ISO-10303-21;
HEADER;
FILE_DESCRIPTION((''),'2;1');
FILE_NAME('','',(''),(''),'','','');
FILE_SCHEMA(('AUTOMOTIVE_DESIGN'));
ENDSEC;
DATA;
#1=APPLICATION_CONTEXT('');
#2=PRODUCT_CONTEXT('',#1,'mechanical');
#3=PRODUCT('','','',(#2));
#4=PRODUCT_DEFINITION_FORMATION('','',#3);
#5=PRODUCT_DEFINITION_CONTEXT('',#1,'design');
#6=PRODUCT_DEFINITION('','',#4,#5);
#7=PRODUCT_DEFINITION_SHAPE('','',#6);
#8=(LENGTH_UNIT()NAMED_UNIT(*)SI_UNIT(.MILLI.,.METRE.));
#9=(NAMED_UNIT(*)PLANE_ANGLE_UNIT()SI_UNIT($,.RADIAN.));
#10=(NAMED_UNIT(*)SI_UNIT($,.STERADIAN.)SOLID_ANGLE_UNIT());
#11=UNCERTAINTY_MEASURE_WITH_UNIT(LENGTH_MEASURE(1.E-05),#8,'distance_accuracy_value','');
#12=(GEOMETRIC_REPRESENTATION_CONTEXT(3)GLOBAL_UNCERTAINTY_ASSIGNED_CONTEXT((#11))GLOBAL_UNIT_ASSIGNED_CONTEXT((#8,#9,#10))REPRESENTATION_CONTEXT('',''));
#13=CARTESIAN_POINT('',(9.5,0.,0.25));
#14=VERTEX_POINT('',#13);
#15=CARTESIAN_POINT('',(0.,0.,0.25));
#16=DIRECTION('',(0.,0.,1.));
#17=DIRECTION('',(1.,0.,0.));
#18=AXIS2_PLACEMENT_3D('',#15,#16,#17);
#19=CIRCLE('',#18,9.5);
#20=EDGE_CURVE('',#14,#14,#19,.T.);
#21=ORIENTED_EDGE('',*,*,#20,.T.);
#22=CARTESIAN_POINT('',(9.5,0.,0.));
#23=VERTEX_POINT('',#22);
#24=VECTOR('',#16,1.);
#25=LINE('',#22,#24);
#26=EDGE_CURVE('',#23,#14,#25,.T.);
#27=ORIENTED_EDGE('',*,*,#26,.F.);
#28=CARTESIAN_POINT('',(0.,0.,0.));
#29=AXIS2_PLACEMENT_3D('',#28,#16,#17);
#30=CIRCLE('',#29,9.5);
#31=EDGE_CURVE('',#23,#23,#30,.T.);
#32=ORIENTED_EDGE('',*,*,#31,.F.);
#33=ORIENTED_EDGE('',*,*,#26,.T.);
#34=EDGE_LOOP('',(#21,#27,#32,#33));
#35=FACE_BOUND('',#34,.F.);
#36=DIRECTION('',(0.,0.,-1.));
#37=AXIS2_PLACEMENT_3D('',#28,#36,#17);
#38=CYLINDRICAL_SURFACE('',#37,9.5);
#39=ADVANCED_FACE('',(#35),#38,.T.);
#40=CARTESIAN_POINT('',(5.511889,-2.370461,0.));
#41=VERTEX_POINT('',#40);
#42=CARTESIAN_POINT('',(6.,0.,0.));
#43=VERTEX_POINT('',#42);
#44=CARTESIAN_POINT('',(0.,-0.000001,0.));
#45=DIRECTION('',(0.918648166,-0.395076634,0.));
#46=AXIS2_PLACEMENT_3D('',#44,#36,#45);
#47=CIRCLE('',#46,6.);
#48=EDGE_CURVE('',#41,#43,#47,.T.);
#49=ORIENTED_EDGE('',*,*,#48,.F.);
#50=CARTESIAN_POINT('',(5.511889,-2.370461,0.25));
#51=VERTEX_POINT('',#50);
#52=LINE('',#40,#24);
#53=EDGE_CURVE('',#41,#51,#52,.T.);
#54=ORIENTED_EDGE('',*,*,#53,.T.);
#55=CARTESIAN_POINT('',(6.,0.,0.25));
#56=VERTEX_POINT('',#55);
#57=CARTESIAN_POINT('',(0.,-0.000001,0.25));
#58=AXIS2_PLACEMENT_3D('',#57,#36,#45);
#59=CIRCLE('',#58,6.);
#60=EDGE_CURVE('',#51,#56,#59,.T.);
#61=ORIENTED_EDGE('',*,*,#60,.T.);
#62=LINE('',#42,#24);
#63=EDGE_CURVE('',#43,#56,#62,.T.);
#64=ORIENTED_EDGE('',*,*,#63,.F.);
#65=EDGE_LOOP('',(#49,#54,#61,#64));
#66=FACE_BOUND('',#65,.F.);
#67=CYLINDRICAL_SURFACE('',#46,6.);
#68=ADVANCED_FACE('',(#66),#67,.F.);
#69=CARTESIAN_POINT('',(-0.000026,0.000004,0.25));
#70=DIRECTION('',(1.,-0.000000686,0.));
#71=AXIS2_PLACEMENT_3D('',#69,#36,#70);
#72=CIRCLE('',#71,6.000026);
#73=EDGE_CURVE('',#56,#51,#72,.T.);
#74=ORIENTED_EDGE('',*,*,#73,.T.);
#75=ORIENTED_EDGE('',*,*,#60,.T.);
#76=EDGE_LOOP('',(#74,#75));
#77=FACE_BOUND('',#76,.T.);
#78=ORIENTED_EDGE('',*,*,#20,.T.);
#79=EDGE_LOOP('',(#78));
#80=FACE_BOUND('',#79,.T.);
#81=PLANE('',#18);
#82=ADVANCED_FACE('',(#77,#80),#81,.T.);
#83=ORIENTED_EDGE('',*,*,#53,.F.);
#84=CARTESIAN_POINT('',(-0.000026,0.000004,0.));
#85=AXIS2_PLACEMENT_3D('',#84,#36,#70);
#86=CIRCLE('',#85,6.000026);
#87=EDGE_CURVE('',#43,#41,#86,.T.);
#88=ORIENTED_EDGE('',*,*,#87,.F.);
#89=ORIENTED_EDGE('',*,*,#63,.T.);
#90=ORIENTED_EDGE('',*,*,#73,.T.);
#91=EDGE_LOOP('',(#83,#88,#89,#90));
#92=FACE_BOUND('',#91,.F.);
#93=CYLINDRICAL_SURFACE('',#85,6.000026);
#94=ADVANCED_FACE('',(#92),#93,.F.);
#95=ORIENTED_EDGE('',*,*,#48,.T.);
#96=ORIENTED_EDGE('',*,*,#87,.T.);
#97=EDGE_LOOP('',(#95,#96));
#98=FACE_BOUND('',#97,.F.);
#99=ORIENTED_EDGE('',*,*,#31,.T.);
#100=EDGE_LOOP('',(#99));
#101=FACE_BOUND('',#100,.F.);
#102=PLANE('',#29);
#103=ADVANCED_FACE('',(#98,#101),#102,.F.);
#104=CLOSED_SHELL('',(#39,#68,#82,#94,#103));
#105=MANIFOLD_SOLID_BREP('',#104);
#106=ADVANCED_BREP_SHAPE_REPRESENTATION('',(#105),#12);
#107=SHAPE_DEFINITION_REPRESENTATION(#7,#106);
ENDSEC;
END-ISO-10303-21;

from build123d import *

# Parameters (mm, degrees)
F0_R     = 9.5
F1_DEPTH = 0.25


with BuildPart() as f1:
    # F0 (on Top) → F1 (new body)
    with BuildSketch(Plane.XY):
        Circle(F0_R)
        with BuildLine():
            ThreePointArc((5.511889, -2.370461), (-5.876705, 1.210097), (6, 0))
            Line((6, 0), (6, -2.370461))
            Line((6, -2.370461), (5.511889, -2.370461))
        make_face(mode=Mode.SUBTRACT)
        with BuildLine():
            Line((6, -2.370461), (6, 0))
            ThreePointArc((6, 0), (5.876705, -1.210097), (5.511889, -2.370461))
            Line((5.511889, -2.370461), (6, -2.370461))
        make_face()
    extrude(amount=F1_DEPTH)


solid = f1.part
